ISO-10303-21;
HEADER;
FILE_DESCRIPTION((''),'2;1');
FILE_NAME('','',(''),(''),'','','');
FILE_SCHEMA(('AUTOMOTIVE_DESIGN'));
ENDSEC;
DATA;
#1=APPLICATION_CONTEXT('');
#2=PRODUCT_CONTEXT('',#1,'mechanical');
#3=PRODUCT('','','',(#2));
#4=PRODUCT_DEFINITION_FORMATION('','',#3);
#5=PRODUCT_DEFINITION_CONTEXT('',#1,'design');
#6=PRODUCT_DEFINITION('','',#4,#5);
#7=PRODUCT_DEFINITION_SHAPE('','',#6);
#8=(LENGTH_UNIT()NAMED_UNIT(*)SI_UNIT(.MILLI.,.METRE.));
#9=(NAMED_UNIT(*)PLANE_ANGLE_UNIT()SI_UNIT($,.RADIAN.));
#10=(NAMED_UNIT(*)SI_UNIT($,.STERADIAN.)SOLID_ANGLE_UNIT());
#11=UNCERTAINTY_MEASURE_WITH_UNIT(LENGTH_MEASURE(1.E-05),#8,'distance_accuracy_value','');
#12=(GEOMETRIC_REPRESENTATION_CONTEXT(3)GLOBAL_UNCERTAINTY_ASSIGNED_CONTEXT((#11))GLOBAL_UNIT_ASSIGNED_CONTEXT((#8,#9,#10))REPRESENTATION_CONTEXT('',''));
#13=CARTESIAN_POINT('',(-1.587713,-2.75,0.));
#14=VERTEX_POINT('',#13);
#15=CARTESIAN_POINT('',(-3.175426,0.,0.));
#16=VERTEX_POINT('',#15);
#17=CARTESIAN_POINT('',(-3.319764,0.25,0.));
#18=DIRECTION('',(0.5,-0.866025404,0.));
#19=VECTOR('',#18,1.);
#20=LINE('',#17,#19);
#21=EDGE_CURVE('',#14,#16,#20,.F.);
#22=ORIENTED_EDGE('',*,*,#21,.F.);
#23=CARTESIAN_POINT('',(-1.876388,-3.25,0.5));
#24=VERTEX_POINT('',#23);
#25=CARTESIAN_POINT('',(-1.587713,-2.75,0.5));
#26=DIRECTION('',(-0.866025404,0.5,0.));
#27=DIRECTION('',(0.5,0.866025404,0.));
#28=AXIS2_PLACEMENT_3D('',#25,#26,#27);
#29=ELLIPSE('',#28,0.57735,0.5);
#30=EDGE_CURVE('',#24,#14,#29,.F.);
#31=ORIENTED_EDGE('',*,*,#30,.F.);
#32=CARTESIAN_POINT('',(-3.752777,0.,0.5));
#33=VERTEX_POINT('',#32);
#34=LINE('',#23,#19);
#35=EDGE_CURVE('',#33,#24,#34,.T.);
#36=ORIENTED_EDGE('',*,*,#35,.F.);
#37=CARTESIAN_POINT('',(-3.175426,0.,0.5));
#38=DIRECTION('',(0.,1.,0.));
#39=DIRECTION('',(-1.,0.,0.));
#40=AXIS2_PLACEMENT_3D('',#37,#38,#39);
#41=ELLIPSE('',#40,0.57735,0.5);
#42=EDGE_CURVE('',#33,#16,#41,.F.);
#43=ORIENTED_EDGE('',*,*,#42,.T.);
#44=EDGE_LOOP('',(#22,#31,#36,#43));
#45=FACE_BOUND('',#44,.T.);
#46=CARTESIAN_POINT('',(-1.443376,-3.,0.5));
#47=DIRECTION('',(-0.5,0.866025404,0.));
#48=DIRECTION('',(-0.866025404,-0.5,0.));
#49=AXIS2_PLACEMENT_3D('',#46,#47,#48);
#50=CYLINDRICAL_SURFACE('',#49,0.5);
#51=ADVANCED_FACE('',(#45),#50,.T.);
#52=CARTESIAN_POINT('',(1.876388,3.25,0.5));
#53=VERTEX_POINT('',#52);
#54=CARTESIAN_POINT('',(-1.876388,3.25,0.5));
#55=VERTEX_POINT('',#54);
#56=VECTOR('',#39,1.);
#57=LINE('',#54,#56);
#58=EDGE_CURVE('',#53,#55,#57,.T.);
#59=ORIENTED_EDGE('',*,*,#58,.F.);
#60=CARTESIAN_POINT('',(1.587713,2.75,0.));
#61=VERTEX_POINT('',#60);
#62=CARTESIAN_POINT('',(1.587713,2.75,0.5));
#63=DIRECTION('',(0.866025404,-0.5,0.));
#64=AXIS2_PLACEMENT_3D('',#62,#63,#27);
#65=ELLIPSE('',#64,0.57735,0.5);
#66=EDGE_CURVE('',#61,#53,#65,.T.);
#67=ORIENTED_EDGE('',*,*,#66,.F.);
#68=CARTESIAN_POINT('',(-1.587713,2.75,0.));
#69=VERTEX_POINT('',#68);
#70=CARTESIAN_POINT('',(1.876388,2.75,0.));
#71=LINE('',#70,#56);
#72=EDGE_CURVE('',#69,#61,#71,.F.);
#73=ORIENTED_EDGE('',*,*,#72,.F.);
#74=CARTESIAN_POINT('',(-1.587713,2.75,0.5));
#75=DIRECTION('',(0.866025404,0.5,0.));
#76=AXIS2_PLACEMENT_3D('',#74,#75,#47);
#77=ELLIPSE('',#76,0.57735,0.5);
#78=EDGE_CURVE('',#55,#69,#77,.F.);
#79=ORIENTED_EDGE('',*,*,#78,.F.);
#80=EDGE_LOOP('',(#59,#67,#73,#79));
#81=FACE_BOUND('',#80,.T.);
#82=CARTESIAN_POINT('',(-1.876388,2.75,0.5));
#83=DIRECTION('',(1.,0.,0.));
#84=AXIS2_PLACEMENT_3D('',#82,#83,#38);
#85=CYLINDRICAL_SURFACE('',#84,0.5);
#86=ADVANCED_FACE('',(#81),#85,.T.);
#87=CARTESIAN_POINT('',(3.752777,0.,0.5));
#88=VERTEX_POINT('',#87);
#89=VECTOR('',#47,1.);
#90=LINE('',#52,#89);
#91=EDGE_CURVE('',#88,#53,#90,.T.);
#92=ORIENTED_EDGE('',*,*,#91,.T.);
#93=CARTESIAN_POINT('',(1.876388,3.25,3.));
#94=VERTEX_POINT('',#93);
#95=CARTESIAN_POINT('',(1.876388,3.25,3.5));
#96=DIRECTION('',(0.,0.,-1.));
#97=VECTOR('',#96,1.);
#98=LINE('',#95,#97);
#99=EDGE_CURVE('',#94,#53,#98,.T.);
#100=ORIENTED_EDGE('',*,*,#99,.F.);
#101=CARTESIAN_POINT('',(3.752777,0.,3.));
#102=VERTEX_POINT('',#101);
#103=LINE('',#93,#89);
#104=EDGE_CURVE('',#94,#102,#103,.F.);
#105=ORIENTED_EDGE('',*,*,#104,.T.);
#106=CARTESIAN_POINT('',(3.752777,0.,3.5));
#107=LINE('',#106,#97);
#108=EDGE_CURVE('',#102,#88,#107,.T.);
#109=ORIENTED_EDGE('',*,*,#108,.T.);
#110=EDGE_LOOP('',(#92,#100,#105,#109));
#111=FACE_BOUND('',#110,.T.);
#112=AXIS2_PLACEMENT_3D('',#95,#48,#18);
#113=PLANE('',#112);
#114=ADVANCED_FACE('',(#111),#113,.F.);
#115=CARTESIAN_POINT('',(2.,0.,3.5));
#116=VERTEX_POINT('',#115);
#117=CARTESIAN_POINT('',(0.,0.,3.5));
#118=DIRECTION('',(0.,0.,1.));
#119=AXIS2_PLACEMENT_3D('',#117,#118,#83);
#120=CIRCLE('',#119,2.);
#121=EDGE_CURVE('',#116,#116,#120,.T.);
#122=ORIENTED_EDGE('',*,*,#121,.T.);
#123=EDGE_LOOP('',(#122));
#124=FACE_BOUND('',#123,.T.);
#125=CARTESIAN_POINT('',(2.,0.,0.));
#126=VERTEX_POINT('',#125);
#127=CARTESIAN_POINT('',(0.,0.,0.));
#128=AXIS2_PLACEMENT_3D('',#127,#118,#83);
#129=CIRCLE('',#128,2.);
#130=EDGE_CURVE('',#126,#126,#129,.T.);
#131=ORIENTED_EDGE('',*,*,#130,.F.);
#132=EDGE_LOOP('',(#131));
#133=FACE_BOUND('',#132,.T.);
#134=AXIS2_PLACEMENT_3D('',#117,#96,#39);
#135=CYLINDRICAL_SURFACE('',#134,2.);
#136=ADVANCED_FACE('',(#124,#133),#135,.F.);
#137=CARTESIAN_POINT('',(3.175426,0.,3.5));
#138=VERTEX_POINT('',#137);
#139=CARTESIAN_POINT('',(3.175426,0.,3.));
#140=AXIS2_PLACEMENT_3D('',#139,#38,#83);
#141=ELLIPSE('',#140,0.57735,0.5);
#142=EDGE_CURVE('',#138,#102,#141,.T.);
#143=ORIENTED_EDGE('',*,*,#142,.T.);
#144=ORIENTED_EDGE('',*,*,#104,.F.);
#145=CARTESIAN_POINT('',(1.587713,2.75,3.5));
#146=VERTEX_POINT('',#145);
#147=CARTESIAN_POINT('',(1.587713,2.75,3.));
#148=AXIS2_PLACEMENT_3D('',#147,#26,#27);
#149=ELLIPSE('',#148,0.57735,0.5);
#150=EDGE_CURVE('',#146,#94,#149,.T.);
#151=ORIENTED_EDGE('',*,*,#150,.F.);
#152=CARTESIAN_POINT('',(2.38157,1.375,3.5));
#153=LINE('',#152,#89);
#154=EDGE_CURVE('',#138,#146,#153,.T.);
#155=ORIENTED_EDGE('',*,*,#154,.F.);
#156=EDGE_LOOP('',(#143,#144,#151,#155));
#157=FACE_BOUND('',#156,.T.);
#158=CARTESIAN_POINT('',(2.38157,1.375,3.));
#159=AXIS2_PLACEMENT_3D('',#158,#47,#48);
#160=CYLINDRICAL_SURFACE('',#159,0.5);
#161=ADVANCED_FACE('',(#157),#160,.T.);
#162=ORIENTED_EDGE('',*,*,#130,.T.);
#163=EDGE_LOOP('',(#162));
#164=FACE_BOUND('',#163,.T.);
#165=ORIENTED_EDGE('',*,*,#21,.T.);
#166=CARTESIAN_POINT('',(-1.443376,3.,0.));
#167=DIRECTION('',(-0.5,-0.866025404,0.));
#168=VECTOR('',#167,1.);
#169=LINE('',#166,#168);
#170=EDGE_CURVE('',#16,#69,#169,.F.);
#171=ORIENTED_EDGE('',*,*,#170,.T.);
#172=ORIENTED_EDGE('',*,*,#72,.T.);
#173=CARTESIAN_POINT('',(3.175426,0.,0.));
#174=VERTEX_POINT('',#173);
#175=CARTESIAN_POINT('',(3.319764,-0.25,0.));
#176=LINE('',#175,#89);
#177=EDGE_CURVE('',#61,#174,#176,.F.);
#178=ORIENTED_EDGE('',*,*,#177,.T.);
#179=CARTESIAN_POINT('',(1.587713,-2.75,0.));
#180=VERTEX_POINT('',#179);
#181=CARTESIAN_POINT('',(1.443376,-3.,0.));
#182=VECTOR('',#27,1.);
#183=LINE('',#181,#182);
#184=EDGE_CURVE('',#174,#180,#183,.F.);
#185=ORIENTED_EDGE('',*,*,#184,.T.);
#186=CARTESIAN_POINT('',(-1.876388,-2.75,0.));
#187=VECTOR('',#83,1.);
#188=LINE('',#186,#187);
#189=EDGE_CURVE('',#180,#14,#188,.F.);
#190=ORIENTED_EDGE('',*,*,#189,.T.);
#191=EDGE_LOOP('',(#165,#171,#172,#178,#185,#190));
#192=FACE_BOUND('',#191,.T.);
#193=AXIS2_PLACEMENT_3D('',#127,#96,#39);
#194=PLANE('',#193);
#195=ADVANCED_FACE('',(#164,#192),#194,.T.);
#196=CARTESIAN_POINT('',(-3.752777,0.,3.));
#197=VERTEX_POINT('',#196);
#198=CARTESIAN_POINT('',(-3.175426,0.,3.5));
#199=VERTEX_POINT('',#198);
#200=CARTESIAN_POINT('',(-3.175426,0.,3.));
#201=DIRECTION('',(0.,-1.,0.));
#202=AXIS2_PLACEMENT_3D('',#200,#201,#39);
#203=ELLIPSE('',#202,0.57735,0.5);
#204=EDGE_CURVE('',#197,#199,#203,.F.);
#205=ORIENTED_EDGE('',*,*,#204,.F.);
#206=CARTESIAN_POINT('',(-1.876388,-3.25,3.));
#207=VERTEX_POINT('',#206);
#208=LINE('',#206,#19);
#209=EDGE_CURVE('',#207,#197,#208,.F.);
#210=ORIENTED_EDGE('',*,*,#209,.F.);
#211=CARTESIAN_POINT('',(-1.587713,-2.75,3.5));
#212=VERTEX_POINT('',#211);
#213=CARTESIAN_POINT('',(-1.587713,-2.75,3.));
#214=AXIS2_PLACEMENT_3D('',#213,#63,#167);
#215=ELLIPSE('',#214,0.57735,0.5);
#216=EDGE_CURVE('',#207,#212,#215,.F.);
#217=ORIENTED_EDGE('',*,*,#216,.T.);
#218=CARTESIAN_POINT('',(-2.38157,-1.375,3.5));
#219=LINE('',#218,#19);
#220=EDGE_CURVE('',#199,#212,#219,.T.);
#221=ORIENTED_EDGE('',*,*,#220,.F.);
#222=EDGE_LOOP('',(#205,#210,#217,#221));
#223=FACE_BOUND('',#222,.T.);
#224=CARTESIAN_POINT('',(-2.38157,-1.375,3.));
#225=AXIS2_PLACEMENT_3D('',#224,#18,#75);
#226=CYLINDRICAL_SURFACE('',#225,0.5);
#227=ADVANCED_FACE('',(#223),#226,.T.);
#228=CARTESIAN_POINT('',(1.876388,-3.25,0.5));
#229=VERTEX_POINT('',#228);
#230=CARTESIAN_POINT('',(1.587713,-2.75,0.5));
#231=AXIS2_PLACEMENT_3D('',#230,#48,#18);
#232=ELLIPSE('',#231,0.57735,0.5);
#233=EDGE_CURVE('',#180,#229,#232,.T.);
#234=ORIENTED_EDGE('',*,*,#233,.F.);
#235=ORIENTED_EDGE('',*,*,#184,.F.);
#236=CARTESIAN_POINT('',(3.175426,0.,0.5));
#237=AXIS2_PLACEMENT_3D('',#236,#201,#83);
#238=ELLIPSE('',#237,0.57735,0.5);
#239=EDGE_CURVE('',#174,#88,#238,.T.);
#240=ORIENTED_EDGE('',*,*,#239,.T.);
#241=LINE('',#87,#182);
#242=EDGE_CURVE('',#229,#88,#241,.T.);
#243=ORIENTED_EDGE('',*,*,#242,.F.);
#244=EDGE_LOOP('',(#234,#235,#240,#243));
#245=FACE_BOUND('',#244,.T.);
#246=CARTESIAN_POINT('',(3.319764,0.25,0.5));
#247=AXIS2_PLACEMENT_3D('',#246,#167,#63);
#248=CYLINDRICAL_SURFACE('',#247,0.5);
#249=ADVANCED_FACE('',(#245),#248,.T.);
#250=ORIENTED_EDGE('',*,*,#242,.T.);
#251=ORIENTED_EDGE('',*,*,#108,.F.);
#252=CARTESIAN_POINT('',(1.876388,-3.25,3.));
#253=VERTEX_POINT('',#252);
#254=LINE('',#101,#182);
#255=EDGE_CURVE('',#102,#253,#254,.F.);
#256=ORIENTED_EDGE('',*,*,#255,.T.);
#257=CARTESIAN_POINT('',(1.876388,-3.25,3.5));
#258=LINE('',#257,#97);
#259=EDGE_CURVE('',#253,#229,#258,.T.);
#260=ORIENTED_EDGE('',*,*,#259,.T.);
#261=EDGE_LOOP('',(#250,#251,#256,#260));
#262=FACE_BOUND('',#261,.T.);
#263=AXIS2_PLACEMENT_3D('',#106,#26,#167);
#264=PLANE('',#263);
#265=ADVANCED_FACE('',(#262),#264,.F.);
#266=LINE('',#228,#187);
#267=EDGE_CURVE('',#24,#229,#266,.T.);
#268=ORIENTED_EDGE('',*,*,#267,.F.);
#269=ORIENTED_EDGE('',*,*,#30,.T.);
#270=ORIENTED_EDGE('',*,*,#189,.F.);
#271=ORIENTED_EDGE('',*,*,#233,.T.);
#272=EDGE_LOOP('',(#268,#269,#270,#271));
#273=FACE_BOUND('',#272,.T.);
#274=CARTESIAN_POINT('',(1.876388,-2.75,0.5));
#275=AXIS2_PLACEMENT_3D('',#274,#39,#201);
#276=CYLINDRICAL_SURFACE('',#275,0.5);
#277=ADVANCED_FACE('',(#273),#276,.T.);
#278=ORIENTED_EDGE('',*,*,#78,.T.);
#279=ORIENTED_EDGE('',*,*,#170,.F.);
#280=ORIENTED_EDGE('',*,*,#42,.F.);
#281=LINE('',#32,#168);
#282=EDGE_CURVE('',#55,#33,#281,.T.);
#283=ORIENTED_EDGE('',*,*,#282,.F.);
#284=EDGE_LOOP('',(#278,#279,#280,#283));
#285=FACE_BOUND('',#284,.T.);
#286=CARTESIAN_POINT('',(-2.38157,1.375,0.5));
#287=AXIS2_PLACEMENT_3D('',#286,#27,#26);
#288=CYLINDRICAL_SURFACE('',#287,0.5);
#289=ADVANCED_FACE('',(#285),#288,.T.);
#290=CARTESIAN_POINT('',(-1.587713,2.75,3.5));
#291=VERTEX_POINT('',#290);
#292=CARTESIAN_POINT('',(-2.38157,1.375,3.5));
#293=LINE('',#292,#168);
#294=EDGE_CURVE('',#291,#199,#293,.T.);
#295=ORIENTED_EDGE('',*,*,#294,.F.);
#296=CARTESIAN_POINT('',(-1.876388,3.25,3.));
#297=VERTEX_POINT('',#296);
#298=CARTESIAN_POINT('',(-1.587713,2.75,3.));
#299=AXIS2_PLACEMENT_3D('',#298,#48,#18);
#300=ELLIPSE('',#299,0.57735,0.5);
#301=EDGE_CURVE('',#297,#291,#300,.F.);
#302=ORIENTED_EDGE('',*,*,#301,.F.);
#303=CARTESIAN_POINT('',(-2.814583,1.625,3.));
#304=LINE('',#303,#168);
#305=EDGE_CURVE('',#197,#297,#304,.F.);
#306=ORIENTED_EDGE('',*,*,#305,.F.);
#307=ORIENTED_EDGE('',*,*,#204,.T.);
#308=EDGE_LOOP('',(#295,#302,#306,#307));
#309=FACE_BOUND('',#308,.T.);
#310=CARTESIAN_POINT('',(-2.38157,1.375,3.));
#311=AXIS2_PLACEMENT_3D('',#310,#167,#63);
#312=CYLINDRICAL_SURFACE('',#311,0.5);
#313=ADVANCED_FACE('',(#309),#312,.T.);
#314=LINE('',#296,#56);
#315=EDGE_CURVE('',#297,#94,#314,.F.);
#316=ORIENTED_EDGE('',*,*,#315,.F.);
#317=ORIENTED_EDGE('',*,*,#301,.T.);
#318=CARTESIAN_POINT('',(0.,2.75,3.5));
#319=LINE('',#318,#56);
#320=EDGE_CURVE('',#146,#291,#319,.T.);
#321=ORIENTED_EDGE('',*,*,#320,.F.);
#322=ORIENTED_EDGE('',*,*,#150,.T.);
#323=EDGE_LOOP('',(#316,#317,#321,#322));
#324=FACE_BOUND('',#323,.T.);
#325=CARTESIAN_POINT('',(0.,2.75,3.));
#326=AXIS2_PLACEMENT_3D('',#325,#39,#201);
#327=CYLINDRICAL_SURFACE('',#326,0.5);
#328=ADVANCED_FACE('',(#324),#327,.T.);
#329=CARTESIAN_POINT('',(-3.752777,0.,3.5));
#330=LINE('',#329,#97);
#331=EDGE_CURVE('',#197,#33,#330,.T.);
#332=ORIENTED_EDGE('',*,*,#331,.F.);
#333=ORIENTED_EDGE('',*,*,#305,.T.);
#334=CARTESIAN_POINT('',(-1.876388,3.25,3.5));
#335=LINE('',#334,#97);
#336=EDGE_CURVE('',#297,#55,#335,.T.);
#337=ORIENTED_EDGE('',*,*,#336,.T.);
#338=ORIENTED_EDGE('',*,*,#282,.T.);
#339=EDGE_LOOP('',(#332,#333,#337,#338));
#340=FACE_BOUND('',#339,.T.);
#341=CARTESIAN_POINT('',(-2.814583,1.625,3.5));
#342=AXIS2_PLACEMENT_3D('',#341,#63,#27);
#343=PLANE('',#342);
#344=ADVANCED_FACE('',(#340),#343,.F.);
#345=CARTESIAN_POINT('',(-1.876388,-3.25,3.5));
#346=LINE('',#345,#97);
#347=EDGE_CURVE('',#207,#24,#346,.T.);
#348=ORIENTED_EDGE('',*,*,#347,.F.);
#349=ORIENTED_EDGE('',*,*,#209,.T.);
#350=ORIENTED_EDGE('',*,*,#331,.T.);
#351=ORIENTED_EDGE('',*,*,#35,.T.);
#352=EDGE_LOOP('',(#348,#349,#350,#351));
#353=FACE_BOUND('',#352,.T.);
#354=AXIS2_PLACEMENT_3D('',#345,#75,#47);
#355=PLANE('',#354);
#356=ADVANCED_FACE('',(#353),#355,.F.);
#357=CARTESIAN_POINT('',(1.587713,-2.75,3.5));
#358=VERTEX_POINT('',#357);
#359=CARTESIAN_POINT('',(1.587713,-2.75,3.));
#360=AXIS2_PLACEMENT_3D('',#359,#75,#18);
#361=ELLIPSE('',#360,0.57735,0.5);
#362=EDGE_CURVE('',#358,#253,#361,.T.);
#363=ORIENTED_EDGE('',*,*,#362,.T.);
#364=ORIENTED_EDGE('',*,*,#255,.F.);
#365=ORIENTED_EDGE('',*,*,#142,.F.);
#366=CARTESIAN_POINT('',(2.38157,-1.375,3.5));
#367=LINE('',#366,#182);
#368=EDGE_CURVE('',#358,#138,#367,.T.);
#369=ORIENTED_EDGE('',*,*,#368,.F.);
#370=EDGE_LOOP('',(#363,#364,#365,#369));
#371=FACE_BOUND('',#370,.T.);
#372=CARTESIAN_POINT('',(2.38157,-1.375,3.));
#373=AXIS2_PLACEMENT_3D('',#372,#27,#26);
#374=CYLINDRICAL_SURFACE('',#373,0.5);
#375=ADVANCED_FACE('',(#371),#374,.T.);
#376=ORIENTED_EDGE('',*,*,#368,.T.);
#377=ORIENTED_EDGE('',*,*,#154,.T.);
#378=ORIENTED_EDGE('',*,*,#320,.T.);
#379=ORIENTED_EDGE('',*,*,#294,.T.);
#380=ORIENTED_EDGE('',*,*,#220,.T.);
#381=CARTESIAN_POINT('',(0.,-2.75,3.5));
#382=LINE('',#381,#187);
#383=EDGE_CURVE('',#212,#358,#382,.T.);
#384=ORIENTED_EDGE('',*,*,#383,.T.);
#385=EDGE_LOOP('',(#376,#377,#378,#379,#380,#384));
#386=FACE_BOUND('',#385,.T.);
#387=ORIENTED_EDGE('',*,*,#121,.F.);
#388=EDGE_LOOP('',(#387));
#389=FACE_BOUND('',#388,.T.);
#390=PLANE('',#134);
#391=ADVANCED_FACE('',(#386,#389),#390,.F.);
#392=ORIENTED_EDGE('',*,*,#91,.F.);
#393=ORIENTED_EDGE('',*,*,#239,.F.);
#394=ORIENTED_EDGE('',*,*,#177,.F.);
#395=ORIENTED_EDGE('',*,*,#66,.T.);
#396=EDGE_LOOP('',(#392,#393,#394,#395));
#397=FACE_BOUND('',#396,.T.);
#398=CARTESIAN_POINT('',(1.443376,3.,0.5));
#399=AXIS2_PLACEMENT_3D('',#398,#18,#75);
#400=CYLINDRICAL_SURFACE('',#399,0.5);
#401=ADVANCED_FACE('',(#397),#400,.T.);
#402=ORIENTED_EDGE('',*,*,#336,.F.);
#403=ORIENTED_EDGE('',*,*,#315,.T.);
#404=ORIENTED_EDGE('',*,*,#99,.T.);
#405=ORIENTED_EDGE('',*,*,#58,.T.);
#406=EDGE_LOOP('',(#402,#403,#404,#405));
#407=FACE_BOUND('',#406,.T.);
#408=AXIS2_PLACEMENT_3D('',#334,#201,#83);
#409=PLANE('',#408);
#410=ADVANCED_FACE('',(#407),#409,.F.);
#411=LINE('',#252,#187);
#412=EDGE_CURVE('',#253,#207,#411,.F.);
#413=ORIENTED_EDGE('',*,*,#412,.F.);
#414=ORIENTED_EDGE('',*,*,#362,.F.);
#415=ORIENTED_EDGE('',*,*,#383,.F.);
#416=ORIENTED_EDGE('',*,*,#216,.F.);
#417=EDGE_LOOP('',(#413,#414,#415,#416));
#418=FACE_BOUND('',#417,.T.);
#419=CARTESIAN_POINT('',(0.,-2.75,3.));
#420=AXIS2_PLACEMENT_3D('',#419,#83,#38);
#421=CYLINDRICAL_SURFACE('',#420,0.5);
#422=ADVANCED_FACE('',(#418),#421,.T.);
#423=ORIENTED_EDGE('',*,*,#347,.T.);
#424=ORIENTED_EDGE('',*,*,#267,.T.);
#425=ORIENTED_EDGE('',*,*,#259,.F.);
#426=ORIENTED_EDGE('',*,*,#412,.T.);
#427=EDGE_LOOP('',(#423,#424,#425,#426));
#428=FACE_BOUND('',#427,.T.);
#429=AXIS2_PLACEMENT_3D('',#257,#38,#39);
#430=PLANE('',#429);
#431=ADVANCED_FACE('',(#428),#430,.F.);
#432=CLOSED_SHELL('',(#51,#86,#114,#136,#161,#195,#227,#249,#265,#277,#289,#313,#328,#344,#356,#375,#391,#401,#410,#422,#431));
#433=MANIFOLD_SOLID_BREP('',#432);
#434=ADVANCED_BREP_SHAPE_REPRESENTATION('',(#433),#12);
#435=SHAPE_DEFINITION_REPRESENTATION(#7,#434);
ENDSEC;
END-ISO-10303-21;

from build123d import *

# Parameters (mm, degrees)
SKETCH1_R           = 2
BOSS_EXTRUDE1_DEPTH = 3.5
FILLET1_R           = 0.5


with BuildPart() as part:
    # Sketch1 → Boss-Extrude1 (new body)
    with BuildSketch(Plane.XY):
        Polygon((-2.8145825622994267, 1.625000000000001), (-1.8763883748662844, 3.25), (0, 3.2500000000000004), (1.8763883748662837, 3.25), (2.8145825622994254, 1.6249999999999996), (3.752776749732567, -3.3e-16), (2.814582562299426, -1.6249999999999998), (1.876388374866284, -3.25), (0, -3.2500000000000004), (-1.876388374866284, -3.25), (-2.814582562299426, -1.6249999999999993), (-3.752776749732568, 8.7e-16), align=None)
        Circle(SKETCH1_R, mode=Mode.SUBTRACT)
    extrude(amount=BOSS_EXTRUDE1_DEPTH)

    # Fillet1
    fillet1_edges = [part.edges().sort_by_distance(p)[0] for p in [
        (-2.8145825622994263, 1.6250000000000004, 0),
        (-4.4e-16, 3.25, 0),
        (2.8145825622994254, 1.625, 0),
        (2.8145825622994254, -1.6250000000000002, 0),
        (0, -3.25, 3.5),
        (0, -3.25, 0),
        (-2.814582562299426, -1.6249999999999996, 0),
        (2.8145825622994254, -1.625, 3.5),
        (2.8145825622994254, 1.6249999999999998, 3.5),
        (-2.2e-16, 3.25, 3.5),
        (-2.8145825622994263, 1.6250000000000004, 3.5),
        (-2.814582562299426, -1.6249999999999996, 3.5),
    ]]
    fillet(fillet1_edges, radius=FILLET1_R)


solid = part.part
